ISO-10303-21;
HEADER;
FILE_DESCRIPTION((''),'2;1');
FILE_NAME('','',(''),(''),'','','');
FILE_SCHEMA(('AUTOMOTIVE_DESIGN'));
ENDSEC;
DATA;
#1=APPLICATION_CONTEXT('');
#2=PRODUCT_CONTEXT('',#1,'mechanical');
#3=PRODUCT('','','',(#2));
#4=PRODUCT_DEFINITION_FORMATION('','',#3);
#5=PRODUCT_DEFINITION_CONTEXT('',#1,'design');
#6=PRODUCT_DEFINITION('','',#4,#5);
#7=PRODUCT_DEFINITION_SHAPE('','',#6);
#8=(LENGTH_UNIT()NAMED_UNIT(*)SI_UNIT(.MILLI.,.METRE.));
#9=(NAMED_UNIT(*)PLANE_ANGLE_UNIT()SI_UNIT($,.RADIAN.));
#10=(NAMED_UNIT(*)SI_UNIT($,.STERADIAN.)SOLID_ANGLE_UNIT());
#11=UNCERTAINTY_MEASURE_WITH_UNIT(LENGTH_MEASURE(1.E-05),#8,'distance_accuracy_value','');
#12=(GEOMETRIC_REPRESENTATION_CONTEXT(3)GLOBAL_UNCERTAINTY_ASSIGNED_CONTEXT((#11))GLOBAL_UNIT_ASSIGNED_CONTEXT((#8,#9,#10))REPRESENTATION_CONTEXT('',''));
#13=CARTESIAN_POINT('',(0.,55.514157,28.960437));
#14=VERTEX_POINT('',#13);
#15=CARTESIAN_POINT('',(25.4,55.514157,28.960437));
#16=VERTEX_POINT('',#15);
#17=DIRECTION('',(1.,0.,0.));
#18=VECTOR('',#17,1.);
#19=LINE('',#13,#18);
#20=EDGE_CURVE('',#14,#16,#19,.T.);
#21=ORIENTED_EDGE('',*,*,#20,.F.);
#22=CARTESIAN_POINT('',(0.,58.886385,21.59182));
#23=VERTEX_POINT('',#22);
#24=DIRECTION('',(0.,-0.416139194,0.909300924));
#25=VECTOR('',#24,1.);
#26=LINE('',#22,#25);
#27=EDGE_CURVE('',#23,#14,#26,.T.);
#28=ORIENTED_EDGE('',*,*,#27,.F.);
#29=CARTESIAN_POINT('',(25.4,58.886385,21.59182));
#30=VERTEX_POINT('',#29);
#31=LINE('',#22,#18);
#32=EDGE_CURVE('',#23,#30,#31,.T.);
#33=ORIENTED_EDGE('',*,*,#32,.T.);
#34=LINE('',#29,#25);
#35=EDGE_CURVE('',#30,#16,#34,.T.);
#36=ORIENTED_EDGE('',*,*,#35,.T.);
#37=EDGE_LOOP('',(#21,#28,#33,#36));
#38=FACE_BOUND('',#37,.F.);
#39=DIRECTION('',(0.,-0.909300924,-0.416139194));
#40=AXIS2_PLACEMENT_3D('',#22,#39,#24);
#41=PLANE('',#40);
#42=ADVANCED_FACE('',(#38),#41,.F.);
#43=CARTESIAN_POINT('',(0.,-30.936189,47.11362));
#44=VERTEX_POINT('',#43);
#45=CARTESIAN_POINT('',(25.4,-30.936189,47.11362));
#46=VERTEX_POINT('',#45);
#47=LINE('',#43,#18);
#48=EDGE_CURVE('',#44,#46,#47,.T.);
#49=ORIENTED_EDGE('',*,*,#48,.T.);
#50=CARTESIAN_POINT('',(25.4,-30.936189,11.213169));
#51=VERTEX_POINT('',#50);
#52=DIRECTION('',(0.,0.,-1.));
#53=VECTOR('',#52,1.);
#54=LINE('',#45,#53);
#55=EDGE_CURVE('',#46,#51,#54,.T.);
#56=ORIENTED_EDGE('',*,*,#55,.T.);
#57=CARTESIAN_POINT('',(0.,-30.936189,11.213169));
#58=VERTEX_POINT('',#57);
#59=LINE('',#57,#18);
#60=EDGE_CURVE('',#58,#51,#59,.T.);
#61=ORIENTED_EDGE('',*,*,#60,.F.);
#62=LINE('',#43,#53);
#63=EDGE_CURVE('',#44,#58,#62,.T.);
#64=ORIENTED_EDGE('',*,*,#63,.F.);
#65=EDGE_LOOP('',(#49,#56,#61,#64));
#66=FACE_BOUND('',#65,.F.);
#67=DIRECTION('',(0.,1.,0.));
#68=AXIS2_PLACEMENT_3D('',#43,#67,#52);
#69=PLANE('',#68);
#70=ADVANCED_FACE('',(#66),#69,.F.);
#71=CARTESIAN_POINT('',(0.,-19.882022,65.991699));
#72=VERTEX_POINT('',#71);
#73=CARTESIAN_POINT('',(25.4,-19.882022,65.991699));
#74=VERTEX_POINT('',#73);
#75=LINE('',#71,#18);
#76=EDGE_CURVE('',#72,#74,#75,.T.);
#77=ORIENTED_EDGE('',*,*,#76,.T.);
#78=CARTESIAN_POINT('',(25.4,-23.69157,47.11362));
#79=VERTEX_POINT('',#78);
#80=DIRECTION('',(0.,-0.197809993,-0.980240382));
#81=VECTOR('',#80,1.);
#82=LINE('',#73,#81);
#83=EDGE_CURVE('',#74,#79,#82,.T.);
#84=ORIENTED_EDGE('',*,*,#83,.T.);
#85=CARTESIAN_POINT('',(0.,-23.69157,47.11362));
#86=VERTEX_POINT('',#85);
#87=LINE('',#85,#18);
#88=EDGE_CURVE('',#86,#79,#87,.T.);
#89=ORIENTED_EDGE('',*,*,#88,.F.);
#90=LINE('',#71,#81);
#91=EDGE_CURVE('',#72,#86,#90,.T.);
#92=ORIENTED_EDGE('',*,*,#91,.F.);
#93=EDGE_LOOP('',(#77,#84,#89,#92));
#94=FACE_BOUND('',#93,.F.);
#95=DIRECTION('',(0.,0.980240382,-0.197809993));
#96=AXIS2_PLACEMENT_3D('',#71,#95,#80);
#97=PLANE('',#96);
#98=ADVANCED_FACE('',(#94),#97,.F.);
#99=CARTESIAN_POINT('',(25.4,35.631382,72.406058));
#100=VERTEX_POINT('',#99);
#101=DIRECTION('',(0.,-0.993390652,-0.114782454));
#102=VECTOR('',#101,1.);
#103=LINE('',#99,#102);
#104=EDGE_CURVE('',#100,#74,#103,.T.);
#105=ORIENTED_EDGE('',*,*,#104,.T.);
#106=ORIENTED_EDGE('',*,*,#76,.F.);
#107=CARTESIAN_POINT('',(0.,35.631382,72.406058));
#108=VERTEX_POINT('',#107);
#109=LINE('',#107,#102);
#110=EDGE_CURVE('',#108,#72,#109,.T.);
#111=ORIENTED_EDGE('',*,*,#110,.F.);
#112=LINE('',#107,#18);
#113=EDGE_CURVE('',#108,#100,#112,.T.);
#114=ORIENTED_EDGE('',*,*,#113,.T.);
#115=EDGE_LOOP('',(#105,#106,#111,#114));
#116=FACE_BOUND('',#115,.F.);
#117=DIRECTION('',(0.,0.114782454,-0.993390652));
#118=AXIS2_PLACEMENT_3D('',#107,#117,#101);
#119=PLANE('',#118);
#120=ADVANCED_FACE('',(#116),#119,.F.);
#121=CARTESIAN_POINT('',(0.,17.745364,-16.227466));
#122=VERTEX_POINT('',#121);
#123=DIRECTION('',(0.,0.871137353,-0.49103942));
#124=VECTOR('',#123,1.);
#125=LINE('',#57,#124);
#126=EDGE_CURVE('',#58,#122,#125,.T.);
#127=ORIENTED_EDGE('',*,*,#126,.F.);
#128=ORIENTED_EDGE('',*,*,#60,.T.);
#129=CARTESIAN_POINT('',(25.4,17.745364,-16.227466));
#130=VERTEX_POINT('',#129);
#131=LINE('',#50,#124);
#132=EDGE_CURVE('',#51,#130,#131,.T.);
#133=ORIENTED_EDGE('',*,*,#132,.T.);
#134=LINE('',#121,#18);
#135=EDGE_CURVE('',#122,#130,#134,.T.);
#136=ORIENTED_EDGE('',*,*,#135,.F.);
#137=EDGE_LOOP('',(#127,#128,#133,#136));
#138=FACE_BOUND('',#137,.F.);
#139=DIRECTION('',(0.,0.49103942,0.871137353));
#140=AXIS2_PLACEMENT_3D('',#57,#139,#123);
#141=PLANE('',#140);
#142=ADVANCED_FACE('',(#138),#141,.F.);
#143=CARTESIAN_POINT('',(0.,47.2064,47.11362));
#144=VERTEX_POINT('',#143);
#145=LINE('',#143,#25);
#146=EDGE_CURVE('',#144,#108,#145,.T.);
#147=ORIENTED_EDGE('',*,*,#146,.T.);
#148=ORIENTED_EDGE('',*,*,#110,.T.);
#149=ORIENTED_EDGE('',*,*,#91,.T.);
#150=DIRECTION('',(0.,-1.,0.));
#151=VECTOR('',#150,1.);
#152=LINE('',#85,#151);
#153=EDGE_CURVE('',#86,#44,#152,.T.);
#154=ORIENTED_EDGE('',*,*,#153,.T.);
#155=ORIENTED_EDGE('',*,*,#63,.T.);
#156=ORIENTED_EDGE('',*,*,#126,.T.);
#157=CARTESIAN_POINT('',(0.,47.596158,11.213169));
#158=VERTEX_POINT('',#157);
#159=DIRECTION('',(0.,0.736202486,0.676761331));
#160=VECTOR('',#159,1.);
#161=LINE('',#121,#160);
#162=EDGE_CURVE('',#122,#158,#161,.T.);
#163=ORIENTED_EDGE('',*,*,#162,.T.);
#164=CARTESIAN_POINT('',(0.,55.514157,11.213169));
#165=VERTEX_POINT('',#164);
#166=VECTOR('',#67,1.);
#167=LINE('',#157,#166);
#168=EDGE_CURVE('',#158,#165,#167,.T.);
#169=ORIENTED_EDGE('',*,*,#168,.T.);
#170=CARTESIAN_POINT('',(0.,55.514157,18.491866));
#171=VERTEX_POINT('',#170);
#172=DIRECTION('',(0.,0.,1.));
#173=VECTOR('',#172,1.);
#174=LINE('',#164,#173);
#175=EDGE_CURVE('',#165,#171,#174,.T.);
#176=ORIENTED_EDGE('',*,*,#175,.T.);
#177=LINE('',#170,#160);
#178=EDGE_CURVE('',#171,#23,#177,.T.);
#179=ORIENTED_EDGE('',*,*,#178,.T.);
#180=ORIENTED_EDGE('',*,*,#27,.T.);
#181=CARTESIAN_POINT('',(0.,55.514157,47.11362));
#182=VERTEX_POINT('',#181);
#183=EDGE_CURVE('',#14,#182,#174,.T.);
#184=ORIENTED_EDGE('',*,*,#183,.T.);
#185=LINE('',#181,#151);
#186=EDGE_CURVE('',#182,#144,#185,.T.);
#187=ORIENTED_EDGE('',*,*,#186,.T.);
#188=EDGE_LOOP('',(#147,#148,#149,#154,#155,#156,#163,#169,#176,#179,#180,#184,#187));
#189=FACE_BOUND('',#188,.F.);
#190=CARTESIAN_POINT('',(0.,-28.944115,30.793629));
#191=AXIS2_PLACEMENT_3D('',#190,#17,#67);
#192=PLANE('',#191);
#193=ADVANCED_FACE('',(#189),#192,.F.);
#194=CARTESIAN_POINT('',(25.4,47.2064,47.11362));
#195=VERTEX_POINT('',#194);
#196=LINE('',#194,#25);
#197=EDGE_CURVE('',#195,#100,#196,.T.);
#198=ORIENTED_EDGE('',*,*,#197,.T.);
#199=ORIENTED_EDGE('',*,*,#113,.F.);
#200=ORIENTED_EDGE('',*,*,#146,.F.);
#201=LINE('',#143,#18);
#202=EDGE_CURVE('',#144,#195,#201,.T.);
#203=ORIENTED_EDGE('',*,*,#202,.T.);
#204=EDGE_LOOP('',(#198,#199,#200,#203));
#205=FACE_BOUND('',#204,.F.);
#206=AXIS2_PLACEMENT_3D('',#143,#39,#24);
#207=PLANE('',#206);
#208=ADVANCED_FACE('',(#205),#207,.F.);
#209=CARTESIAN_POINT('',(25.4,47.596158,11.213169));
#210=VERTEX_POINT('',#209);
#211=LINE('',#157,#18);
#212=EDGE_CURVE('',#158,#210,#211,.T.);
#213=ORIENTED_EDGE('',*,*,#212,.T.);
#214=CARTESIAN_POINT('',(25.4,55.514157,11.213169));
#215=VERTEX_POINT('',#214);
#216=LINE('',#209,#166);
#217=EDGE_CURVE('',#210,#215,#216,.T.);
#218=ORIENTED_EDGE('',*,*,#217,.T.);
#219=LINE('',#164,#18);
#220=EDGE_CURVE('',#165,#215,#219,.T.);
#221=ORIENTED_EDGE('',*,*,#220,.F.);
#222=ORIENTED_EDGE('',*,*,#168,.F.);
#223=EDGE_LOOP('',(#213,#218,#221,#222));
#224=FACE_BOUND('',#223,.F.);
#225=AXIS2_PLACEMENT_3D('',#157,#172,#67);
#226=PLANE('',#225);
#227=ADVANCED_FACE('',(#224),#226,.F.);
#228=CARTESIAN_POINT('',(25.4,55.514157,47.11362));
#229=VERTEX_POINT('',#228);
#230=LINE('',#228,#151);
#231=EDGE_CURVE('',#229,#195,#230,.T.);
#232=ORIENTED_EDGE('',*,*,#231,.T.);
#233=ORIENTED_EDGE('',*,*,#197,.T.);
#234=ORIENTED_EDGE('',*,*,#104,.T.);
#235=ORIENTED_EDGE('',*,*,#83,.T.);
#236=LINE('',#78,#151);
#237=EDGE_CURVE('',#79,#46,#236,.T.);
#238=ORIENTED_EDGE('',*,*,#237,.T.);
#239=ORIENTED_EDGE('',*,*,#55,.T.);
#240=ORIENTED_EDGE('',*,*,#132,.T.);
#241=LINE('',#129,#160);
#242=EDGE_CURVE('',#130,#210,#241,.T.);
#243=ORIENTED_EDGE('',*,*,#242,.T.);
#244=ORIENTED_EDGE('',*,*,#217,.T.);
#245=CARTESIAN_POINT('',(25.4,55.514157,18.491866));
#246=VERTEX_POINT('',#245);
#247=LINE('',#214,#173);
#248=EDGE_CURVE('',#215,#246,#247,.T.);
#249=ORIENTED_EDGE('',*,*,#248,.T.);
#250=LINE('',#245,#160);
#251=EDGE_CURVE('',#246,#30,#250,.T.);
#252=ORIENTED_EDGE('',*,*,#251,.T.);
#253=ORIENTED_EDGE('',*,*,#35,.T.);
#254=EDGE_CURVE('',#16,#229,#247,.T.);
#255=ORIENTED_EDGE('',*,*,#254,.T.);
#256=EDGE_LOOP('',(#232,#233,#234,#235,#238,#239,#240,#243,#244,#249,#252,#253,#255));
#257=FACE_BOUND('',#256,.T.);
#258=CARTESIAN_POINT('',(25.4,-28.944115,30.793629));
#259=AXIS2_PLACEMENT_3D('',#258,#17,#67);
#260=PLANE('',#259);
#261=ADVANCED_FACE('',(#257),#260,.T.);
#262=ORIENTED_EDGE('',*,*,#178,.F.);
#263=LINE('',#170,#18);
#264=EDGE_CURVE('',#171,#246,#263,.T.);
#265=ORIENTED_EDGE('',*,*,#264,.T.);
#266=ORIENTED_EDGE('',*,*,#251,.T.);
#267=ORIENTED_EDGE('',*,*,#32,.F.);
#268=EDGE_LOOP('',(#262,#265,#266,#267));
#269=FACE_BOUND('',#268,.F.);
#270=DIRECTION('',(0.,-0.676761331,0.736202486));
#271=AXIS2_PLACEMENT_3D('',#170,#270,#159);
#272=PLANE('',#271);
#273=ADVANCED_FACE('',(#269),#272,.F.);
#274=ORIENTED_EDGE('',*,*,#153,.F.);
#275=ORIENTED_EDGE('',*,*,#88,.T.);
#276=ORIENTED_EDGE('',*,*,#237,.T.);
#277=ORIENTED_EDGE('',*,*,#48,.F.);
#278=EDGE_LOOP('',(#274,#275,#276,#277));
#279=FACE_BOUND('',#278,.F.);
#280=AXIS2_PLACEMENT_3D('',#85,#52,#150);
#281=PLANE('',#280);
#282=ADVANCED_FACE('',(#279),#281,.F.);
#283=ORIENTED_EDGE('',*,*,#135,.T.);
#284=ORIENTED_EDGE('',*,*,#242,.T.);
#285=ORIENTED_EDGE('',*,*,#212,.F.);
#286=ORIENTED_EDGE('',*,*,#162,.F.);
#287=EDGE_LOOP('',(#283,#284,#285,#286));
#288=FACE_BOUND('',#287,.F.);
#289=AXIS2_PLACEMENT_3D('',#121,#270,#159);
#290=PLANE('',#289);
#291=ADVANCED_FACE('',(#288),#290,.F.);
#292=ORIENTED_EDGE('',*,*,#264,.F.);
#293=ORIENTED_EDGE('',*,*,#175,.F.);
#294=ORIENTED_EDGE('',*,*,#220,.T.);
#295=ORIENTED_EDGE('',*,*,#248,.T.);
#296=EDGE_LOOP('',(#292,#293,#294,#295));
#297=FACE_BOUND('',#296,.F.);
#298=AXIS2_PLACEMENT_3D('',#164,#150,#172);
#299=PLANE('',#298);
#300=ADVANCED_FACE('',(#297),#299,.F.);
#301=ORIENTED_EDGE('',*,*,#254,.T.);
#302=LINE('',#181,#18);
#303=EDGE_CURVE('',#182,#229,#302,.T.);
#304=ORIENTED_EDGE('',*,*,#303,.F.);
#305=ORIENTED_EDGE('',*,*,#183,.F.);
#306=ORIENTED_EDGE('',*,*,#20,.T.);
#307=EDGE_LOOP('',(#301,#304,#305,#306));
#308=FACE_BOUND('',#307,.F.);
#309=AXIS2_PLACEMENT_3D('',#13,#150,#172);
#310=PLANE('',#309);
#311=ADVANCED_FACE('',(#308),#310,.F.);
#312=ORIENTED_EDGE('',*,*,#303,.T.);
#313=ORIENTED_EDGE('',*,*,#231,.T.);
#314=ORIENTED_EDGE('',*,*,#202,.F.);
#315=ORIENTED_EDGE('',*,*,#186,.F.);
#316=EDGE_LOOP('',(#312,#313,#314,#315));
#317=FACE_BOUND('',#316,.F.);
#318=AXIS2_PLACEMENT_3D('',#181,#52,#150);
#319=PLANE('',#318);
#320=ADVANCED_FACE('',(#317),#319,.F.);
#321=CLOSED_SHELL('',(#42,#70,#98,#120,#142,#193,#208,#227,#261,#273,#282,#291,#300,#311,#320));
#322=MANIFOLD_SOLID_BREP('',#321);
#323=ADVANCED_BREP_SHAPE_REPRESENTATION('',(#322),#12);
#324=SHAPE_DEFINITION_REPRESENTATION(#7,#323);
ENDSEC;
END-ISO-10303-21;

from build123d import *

# Parameters (mm, degrees)
F1_DEPTH = 25.4


with BuildPart() as f1:
    # F0 (on Right) → F1 (new body)
    with BuildSketch(Plane.YZ):
        Polygon((-23.6915700774, 47.1136197448), (-30.9361889958, 47.1136197448), (-30.9361889958, 11.2131685019), align=None)
        Polygon((-19.8820221431, 65.9916989665), (-23.6915700774, 47.1136197448), (47.2064001383, 47.1136197448), (35.6313816245, 72.4060583893), align=None)
        Polygon((47.2064001383, 47.1136197448), (-23.6915700774, 47.1136197448), (-30.9361889958, 11.2131685019), (47.596158079, 11.2131685019), (55.5141568184, 18.4918662292), (55.5141568184, 28.9604370214), align=None)
        Polygon((47.596158079, 11.2131685019), (-30.9361889958, 11.2131685019), (17.7453639394, -16.2274657561), align=None)
        Polygon((55.5141568184, 47.1136197448), (47.2064001383, 47.1136197448), (55.5141568184, 28.9604370214), align=None)
        Polygon((55.5141568184, 18.4918662292), (47.596158079, 11.2131685019), (55.5141568184, 11.2131685019), align=None)
        Polygon((58.8863851313, 21.5918200642), (55.5141568184, 28.9604370214), (55.5141568184, 18.4918662292), align=None)
    extrude(amount=F1_DEPTH)


solid = f1.part
